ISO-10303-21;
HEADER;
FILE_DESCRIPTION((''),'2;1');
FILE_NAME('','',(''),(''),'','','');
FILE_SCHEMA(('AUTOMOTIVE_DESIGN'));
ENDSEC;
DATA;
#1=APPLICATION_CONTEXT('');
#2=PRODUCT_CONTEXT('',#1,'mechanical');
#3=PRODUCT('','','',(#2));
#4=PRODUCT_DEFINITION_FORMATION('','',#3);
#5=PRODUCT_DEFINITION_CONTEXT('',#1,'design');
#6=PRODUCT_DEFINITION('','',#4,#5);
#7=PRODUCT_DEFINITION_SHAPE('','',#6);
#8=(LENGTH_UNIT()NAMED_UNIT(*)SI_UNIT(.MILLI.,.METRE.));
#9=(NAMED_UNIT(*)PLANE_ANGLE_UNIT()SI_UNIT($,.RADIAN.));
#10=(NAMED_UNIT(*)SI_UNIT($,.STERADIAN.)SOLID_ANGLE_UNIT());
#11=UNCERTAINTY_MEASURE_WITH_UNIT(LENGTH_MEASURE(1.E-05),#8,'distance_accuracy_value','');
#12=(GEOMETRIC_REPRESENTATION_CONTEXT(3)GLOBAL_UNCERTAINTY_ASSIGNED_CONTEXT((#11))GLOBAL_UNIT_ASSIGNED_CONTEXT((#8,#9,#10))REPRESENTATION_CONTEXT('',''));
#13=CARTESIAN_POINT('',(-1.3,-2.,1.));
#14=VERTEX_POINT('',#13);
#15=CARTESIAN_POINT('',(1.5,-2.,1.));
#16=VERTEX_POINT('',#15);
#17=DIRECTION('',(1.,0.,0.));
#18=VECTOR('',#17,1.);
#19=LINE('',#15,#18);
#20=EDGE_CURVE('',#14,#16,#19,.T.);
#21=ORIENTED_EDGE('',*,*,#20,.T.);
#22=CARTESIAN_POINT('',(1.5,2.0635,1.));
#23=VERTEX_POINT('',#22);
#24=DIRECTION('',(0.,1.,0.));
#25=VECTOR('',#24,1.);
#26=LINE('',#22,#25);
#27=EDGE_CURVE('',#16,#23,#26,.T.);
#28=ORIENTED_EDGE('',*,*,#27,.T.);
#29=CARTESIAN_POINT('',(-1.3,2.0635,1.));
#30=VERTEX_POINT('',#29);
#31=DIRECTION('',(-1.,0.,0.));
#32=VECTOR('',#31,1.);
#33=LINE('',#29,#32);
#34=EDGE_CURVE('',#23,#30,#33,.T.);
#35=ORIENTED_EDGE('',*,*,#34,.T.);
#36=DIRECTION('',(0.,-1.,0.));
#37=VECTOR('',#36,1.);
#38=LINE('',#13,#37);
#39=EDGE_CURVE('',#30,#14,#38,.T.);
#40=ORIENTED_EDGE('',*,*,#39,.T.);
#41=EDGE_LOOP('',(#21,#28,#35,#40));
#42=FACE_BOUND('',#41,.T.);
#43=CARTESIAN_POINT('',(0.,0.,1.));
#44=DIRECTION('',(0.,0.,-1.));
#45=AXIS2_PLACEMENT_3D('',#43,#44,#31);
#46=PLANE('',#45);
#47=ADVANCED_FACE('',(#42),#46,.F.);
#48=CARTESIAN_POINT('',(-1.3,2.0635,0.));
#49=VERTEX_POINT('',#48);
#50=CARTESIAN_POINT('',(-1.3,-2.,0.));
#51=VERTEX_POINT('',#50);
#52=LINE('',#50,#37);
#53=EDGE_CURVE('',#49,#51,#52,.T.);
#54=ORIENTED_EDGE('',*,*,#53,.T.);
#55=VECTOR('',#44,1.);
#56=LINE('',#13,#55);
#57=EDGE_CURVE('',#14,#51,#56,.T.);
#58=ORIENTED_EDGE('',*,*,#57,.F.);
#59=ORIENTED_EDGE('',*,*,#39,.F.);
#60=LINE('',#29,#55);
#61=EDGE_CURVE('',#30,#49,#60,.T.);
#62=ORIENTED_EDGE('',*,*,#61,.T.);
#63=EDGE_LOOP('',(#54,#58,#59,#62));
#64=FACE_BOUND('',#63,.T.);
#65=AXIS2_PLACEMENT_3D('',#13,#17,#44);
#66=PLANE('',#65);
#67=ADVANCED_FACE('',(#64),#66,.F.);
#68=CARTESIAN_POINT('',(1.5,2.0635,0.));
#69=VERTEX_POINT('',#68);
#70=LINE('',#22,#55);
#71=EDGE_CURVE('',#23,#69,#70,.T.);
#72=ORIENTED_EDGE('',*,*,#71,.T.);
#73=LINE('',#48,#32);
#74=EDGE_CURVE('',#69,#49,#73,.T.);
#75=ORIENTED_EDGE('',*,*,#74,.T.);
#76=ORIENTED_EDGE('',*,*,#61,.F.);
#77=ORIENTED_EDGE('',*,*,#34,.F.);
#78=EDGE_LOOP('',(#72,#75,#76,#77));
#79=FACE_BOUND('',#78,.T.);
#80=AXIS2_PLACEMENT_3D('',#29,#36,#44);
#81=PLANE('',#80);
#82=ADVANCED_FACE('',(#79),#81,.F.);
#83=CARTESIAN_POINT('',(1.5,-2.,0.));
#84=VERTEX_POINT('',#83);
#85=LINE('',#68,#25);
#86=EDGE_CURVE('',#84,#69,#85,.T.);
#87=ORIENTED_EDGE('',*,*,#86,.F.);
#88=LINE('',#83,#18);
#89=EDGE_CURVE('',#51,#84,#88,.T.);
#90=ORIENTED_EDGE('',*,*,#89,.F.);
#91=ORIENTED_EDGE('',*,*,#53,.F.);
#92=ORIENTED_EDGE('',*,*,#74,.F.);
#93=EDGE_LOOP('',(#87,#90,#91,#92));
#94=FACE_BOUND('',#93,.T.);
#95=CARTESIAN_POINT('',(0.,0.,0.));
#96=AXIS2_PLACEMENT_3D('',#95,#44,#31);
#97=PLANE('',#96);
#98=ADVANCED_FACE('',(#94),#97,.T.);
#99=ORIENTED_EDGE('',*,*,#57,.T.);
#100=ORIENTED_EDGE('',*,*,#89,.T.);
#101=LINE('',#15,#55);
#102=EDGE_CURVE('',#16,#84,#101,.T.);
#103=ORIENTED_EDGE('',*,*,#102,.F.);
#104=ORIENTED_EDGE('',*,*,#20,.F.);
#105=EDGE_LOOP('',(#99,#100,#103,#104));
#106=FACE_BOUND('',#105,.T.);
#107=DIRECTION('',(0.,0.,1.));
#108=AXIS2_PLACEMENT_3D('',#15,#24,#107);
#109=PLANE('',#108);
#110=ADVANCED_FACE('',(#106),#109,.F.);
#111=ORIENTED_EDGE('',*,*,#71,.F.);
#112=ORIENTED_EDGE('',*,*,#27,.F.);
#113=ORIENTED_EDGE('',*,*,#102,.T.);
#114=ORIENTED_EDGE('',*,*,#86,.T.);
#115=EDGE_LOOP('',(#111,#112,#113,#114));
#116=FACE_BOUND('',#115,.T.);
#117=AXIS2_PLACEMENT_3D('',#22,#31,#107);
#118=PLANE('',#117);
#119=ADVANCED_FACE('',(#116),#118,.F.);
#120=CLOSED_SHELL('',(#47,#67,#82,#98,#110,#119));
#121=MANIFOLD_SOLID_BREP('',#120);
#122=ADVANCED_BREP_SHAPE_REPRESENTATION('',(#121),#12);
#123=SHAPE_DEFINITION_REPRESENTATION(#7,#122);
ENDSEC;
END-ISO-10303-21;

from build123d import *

# Parameters (mm, degrees)
ESQUISSE1_W             = 2.8
ESQUISSE1_H             = 4.0635
COMPONENT_OUTLINE_DEPTH = 1


with BuildPart() as part:
    # Esquisse1 → Component_Outline (new body)
    with BuildSketch(Plane.XY):
        with Locations((0.1, 0.03175)):
            Rectangle(ESQUISSE1_W, ESQUISSE1_H)
    extrude(amount=COMPONENT_OUTLINE_DEPTH)


solid = part.part
